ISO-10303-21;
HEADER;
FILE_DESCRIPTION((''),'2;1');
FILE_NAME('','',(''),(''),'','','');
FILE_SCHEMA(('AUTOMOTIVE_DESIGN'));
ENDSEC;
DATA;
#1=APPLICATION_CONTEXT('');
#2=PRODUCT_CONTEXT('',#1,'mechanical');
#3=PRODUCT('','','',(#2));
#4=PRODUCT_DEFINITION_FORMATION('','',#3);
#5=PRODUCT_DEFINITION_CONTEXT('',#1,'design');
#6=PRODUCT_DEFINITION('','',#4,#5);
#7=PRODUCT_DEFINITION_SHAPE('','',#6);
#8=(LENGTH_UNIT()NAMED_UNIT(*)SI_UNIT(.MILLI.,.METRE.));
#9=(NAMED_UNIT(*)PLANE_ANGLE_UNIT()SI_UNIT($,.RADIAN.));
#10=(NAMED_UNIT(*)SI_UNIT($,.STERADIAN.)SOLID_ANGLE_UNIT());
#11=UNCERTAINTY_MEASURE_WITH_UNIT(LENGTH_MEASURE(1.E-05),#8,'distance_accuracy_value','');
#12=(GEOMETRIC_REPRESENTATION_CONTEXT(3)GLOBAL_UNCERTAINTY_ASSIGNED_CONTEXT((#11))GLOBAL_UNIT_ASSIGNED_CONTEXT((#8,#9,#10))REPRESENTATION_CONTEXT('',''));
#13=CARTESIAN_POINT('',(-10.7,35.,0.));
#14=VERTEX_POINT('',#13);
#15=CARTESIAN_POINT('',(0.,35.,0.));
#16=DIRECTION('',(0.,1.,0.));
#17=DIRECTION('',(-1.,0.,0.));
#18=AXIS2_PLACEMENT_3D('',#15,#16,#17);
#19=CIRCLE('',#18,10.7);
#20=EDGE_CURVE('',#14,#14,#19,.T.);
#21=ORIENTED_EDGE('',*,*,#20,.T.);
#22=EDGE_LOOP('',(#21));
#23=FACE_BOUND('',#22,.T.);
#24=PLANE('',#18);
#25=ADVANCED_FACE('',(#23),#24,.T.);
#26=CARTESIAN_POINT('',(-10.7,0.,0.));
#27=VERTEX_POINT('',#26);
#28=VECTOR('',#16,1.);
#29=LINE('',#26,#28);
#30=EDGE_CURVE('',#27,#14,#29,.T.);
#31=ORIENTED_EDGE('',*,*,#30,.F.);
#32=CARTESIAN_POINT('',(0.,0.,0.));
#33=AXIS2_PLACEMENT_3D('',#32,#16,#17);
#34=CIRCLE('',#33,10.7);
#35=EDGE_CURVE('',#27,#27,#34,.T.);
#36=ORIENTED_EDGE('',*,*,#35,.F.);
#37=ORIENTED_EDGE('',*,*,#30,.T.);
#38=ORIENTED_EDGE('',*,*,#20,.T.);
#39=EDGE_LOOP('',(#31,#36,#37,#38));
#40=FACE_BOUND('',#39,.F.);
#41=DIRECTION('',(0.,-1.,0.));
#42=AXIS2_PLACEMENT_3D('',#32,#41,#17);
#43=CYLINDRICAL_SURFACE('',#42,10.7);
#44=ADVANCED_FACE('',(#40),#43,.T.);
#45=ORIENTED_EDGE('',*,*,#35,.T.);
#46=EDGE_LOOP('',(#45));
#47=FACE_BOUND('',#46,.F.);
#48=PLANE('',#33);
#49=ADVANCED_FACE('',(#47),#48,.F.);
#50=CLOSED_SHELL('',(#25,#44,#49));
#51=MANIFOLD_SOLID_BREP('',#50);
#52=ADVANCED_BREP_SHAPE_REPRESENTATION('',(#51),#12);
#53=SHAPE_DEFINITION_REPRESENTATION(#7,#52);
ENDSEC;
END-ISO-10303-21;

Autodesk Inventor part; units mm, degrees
ref_plane "YZ Plane" through (0, 0, 0) normal (1, 0, 0) x (0, 1, 0)
ref_plane "XZ Plane" through (0, 0, 0) normal (0, 1, 0) x (-1, 0, 0)
ref_plane "XY Plane" through (0, 0, 0) normal (0, 0, 1) x (1, 0, 0)
sketch "Boceto2" plane through (0, 0, 0) normal (0, 1, 0) x (-1, 0, 0)
  circle A0 centre (0, 0) radius 8.96
  circle A1 centre (0, 0) radius 10.7
  dimension "d0" = 17.92
  dimension "d1" = 21.4
extrude "Extrusión1" add sketch "Boceto2" along normal blind 35
extrude "Extrusión2" add sketch "Boceto2" along normal blind 35 contours A0
properties part number "Tubo 12 35"
